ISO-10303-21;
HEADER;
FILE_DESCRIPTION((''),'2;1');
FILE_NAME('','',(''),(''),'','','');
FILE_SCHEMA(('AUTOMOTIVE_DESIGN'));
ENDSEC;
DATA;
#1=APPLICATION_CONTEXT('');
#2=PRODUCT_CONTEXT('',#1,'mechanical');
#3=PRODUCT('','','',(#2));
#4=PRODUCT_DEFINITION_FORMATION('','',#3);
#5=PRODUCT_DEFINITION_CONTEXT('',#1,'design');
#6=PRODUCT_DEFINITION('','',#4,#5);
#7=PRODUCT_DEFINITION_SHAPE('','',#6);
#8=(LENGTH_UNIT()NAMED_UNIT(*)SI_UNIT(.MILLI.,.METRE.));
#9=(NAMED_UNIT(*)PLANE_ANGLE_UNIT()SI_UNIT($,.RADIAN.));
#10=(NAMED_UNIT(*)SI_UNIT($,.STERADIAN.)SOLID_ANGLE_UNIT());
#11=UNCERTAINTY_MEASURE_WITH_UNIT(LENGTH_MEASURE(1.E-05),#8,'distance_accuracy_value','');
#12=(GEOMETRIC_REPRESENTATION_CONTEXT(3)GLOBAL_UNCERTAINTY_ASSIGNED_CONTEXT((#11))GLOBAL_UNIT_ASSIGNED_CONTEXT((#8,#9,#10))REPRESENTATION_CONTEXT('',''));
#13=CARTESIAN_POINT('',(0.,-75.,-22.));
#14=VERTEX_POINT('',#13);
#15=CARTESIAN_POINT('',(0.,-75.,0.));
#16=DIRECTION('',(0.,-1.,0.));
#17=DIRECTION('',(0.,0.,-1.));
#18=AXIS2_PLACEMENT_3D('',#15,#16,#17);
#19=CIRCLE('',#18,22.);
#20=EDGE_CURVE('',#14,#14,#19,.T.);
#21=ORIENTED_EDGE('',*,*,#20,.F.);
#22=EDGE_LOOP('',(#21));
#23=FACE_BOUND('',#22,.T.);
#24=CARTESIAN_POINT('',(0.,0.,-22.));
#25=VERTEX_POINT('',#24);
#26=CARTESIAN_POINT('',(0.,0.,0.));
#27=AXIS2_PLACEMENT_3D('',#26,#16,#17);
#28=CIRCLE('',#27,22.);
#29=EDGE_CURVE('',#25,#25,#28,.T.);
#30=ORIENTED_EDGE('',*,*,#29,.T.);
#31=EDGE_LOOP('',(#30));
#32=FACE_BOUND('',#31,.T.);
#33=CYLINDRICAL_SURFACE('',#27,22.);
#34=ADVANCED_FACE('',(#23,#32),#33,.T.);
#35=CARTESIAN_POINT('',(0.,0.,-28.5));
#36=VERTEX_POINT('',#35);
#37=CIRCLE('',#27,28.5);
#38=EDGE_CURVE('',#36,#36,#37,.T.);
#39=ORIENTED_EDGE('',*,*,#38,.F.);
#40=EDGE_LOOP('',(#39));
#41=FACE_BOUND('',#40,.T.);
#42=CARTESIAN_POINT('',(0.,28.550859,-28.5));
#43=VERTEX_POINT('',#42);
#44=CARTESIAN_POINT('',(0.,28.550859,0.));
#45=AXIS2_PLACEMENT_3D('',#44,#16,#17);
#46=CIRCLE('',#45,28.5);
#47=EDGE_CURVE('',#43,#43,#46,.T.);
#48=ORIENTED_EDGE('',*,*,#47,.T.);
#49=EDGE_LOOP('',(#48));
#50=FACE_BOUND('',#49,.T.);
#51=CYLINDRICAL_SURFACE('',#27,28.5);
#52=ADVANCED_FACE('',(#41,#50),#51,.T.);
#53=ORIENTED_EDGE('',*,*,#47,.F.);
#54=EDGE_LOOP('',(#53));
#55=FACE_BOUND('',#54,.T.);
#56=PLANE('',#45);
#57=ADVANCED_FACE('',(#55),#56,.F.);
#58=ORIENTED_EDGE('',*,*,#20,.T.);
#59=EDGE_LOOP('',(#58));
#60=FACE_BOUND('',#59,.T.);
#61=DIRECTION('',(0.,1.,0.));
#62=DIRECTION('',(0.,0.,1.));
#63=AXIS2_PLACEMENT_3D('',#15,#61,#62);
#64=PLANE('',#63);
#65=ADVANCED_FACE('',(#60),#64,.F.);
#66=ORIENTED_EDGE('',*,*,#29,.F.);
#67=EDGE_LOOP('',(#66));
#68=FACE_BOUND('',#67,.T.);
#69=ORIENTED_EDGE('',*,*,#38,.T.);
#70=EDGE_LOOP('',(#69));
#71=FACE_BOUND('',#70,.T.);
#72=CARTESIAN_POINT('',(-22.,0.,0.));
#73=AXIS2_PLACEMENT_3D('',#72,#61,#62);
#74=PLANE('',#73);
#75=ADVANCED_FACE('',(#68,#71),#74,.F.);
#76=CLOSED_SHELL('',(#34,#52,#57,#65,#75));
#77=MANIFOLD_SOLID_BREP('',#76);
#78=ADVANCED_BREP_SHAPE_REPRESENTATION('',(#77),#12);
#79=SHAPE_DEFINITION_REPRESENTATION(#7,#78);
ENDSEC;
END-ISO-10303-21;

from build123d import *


with BuildPart() as part:
    # Sketch1 → Revolve1 (revolve)
    with BuildSketch(Plane.XY, mode=Mode.PRIVATE) as revolve1_sk:
        Polygon((0, -75), (-22, -75), (-22, 0), (-28.5, 0), (-28.5, 28.55085937), (0, 28.55085937), (0, 0), align=None)
    revolve(revolve1_sk.sketch.rotate(Axis((0, 0, 0), (0, 1, 0)), 270), axis=Axis((0, 0, 0), (0, 1, 0)))  # turned: the seam where the file's is


solid = part.part
